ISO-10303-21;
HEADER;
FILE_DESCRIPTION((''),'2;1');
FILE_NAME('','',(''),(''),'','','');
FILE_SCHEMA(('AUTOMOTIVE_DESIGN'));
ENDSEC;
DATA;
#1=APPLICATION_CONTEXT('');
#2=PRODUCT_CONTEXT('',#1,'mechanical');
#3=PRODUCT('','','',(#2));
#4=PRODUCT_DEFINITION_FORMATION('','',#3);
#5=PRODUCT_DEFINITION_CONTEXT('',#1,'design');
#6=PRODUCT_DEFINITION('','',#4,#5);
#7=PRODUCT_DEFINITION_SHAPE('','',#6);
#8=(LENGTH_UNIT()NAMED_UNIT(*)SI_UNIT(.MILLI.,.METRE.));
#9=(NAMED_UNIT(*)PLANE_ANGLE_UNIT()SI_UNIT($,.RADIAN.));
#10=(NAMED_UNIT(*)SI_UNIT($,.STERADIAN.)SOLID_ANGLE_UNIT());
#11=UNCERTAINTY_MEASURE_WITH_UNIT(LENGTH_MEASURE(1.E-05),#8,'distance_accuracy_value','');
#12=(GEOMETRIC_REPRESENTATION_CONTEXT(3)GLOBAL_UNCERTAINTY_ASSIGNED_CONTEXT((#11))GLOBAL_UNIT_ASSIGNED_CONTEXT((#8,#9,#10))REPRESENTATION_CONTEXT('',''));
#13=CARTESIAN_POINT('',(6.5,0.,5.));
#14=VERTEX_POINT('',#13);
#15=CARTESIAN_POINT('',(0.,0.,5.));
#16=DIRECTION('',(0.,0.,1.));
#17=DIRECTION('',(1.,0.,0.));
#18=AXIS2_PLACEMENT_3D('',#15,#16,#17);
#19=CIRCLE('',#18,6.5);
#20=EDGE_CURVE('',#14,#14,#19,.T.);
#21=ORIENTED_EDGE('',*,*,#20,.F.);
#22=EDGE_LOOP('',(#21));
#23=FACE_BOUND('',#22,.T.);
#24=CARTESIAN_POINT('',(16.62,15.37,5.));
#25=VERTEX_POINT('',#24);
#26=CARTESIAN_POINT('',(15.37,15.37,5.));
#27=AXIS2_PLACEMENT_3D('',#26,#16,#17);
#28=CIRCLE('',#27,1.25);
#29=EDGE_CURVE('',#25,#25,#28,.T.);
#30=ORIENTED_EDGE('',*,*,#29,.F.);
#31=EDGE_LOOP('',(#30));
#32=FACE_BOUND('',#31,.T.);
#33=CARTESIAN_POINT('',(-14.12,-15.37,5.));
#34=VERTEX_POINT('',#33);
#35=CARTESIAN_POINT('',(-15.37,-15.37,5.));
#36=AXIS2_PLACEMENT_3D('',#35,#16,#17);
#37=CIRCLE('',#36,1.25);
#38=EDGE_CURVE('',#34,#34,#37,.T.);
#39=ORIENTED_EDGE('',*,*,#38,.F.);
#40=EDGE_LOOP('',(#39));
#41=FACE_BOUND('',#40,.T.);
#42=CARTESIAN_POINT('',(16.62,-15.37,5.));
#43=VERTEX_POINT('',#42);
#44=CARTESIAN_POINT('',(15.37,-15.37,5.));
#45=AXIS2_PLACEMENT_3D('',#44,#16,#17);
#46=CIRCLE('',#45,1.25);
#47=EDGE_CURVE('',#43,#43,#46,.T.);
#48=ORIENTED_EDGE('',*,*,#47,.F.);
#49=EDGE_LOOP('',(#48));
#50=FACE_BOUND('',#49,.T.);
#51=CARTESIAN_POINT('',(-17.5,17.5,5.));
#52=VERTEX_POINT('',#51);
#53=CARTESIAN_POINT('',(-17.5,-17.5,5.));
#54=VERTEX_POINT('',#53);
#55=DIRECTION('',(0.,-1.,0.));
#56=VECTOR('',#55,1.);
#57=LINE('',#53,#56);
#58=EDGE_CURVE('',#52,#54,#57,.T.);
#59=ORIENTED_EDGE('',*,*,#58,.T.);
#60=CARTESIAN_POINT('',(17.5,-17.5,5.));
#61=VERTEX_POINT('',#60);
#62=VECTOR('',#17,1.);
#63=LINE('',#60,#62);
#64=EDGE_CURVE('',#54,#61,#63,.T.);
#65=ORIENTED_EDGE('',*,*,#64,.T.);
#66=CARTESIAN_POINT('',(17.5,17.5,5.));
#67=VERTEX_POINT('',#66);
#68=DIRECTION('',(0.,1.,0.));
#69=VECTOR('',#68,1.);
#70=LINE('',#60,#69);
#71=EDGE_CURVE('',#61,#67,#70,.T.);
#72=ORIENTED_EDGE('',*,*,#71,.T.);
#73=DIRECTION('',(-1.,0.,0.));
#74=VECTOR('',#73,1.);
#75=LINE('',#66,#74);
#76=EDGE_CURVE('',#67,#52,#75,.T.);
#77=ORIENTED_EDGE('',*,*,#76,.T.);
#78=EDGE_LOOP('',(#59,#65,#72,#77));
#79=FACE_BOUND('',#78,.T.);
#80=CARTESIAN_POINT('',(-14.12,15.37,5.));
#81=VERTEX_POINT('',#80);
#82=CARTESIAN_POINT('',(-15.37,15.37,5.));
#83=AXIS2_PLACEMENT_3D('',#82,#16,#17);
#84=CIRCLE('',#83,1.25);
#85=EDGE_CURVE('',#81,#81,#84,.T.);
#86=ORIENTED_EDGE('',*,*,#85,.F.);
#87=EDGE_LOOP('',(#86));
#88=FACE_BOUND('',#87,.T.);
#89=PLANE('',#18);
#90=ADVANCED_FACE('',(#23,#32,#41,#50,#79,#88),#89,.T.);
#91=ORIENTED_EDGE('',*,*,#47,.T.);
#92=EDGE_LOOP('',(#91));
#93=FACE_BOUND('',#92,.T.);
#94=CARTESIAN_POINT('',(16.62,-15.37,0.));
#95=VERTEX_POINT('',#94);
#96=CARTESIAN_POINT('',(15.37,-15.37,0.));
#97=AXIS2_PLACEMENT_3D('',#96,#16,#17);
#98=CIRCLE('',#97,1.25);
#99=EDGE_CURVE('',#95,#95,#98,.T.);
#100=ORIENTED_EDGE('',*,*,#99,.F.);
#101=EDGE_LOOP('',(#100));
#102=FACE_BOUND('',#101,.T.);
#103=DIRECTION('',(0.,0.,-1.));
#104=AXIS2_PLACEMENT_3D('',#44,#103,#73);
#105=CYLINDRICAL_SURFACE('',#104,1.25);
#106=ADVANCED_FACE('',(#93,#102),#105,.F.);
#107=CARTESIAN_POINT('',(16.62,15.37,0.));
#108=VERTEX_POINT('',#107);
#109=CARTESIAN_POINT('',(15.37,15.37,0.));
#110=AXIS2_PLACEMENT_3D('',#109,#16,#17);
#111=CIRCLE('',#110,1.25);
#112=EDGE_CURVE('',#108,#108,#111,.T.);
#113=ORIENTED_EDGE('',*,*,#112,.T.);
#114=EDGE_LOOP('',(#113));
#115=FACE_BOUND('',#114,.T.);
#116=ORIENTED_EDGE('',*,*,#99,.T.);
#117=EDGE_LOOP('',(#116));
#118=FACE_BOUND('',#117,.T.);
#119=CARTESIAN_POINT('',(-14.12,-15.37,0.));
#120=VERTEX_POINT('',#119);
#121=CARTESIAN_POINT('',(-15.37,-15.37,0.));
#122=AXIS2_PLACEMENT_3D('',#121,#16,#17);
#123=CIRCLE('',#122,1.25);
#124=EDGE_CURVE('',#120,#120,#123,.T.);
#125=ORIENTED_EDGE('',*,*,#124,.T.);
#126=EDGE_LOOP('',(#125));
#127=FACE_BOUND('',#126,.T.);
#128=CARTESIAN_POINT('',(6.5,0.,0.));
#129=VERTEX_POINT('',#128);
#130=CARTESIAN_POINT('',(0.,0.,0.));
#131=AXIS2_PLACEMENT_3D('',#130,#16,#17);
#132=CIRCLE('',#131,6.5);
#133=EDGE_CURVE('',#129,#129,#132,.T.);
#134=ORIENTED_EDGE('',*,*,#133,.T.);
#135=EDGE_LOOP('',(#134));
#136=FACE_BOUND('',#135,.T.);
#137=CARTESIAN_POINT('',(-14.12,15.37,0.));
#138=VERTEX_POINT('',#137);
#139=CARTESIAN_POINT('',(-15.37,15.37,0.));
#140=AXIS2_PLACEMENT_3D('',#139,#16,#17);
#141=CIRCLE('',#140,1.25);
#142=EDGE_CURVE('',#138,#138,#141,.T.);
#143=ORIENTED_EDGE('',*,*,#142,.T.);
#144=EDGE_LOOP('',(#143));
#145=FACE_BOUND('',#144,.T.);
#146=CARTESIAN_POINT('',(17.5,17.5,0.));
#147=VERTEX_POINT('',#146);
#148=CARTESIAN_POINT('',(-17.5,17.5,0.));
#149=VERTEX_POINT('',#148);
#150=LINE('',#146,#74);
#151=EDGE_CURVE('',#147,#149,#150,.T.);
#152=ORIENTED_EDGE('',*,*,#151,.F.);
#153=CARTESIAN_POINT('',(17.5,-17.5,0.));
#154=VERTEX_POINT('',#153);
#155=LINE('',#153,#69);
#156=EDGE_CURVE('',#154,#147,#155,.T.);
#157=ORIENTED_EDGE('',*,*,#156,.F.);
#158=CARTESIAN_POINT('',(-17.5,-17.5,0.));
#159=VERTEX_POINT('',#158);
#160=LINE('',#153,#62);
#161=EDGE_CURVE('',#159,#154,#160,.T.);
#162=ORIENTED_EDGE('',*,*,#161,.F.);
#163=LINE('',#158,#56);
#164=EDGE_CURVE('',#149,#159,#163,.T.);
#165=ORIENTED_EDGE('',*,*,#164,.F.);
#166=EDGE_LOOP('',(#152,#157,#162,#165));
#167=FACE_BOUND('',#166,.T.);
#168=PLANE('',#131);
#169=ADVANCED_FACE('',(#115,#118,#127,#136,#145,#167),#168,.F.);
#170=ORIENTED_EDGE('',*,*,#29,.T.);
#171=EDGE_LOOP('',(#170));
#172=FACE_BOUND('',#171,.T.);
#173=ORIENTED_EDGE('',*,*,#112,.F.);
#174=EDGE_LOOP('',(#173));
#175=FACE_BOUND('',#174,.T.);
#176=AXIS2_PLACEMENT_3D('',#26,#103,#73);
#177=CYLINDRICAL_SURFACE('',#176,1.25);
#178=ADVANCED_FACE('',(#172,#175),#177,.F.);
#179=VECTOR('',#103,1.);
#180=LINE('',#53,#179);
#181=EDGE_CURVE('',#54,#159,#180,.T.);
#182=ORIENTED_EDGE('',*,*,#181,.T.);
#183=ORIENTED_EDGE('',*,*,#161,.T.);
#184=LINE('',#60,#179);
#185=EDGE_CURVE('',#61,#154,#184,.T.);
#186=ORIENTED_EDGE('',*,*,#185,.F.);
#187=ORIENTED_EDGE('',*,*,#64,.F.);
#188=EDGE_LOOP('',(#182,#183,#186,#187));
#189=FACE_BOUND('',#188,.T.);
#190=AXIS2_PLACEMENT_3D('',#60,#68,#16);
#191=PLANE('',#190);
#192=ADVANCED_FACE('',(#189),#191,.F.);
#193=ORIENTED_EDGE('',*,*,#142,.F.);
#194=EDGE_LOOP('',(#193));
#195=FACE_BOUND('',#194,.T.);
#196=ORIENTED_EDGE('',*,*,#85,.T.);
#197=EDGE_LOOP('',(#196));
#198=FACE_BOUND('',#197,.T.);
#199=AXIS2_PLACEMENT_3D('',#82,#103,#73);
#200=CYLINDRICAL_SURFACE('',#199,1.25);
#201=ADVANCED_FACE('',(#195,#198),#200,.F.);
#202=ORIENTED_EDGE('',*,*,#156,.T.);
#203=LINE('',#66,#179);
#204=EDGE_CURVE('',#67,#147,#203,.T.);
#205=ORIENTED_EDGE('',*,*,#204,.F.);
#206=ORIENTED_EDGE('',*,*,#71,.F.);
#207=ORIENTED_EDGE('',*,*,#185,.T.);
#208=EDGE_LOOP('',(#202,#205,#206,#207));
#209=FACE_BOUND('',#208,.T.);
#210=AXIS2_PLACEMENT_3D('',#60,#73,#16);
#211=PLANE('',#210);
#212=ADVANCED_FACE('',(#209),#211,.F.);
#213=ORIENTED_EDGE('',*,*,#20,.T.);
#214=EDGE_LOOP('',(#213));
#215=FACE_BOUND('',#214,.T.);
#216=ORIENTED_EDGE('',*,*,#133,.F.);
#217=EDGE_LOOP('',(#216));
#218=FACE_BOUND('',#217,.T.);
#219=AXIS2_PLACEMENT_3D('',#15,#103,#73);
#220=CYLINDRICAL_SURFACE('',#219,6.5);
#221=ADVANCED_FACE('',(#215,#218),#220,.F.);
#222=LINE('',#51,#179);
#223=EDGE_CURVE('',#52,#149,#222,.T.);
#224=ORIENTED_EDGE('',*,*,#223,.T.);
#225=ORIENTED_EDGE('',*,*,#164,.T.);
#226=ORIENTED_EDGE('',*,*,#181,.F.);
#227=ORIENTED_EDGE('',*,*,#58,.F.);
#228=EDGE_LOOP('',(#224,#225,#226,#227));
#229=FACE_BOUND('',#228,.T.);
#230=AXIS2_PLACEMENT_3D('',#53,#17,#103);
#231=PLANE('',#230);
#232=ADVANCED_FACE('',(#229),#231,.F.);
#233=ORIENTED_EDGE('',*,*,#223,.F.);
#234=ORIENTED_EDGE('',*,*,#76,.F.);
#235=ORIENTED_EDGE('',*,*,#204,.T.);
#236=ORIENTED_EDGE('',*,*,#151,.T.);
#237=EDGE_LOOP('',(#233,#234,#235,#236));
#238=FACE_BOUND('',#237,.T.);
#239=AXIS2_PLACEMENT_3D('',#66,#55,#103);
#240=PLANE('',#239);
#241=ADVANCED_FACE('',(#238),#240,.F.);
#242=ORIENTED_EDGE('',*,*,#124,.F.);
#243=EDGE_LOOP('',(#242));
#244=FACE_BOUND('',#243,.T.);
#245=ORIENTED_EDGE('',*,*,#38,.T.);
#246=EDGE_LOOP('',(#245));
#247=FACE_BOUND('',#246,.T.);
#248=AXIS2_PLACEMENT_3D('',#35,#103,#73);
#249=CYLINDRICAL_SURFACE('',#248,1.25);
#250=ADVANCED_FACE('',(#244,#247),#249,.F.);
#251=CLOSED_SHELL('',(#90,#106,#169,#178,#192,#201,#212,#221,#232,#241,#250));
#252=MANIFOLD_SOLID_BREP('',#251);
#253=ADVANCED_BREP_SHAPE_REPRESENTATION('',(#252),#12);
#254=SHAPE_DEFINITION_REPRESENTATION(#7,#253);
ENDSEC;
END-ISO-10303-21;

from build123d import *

# Parameters (mm, degrees)
CROQUIS1_W              = 35
CROQUIS1_H              = 35
CROQUIS1_R              = 1.25
CROQUIS1_R_2            = 6.5
SALIENTE_EXTRUIR1_DEPTH = 5


with BuildPart() as part:
    # Croquis1 → Saliente-Extruir1 (new body)
    with BuildSketch(Plane.XY):
        Rectangle(CROQUIS1_W, CROQUIS1_H)
        with Locations((-15.37, 15.37)):
            Circle(CROQUIS1_R, mode=Mode.SUBTRACT)
        with Locations((15.37, 15.37)):
            Circle(CROQUIS1_R, mode=Mode.SUBTRACT)
        with Locations((15.37, -15.37)):
            Circle(CROQUIS1_R, mode=Mode.SUBTRACT)
        with Locations((-15.37, -15.37)):
            Circle(CROQUIS1_R, mode=Mode.SUBTRACT)
        Circle(CROQUIS1_R_2, mode=Mode.SUBTRACT)
    extrude(amount=SALIENTE_EXTRUIR1_DEPTH)


solid = part.part
